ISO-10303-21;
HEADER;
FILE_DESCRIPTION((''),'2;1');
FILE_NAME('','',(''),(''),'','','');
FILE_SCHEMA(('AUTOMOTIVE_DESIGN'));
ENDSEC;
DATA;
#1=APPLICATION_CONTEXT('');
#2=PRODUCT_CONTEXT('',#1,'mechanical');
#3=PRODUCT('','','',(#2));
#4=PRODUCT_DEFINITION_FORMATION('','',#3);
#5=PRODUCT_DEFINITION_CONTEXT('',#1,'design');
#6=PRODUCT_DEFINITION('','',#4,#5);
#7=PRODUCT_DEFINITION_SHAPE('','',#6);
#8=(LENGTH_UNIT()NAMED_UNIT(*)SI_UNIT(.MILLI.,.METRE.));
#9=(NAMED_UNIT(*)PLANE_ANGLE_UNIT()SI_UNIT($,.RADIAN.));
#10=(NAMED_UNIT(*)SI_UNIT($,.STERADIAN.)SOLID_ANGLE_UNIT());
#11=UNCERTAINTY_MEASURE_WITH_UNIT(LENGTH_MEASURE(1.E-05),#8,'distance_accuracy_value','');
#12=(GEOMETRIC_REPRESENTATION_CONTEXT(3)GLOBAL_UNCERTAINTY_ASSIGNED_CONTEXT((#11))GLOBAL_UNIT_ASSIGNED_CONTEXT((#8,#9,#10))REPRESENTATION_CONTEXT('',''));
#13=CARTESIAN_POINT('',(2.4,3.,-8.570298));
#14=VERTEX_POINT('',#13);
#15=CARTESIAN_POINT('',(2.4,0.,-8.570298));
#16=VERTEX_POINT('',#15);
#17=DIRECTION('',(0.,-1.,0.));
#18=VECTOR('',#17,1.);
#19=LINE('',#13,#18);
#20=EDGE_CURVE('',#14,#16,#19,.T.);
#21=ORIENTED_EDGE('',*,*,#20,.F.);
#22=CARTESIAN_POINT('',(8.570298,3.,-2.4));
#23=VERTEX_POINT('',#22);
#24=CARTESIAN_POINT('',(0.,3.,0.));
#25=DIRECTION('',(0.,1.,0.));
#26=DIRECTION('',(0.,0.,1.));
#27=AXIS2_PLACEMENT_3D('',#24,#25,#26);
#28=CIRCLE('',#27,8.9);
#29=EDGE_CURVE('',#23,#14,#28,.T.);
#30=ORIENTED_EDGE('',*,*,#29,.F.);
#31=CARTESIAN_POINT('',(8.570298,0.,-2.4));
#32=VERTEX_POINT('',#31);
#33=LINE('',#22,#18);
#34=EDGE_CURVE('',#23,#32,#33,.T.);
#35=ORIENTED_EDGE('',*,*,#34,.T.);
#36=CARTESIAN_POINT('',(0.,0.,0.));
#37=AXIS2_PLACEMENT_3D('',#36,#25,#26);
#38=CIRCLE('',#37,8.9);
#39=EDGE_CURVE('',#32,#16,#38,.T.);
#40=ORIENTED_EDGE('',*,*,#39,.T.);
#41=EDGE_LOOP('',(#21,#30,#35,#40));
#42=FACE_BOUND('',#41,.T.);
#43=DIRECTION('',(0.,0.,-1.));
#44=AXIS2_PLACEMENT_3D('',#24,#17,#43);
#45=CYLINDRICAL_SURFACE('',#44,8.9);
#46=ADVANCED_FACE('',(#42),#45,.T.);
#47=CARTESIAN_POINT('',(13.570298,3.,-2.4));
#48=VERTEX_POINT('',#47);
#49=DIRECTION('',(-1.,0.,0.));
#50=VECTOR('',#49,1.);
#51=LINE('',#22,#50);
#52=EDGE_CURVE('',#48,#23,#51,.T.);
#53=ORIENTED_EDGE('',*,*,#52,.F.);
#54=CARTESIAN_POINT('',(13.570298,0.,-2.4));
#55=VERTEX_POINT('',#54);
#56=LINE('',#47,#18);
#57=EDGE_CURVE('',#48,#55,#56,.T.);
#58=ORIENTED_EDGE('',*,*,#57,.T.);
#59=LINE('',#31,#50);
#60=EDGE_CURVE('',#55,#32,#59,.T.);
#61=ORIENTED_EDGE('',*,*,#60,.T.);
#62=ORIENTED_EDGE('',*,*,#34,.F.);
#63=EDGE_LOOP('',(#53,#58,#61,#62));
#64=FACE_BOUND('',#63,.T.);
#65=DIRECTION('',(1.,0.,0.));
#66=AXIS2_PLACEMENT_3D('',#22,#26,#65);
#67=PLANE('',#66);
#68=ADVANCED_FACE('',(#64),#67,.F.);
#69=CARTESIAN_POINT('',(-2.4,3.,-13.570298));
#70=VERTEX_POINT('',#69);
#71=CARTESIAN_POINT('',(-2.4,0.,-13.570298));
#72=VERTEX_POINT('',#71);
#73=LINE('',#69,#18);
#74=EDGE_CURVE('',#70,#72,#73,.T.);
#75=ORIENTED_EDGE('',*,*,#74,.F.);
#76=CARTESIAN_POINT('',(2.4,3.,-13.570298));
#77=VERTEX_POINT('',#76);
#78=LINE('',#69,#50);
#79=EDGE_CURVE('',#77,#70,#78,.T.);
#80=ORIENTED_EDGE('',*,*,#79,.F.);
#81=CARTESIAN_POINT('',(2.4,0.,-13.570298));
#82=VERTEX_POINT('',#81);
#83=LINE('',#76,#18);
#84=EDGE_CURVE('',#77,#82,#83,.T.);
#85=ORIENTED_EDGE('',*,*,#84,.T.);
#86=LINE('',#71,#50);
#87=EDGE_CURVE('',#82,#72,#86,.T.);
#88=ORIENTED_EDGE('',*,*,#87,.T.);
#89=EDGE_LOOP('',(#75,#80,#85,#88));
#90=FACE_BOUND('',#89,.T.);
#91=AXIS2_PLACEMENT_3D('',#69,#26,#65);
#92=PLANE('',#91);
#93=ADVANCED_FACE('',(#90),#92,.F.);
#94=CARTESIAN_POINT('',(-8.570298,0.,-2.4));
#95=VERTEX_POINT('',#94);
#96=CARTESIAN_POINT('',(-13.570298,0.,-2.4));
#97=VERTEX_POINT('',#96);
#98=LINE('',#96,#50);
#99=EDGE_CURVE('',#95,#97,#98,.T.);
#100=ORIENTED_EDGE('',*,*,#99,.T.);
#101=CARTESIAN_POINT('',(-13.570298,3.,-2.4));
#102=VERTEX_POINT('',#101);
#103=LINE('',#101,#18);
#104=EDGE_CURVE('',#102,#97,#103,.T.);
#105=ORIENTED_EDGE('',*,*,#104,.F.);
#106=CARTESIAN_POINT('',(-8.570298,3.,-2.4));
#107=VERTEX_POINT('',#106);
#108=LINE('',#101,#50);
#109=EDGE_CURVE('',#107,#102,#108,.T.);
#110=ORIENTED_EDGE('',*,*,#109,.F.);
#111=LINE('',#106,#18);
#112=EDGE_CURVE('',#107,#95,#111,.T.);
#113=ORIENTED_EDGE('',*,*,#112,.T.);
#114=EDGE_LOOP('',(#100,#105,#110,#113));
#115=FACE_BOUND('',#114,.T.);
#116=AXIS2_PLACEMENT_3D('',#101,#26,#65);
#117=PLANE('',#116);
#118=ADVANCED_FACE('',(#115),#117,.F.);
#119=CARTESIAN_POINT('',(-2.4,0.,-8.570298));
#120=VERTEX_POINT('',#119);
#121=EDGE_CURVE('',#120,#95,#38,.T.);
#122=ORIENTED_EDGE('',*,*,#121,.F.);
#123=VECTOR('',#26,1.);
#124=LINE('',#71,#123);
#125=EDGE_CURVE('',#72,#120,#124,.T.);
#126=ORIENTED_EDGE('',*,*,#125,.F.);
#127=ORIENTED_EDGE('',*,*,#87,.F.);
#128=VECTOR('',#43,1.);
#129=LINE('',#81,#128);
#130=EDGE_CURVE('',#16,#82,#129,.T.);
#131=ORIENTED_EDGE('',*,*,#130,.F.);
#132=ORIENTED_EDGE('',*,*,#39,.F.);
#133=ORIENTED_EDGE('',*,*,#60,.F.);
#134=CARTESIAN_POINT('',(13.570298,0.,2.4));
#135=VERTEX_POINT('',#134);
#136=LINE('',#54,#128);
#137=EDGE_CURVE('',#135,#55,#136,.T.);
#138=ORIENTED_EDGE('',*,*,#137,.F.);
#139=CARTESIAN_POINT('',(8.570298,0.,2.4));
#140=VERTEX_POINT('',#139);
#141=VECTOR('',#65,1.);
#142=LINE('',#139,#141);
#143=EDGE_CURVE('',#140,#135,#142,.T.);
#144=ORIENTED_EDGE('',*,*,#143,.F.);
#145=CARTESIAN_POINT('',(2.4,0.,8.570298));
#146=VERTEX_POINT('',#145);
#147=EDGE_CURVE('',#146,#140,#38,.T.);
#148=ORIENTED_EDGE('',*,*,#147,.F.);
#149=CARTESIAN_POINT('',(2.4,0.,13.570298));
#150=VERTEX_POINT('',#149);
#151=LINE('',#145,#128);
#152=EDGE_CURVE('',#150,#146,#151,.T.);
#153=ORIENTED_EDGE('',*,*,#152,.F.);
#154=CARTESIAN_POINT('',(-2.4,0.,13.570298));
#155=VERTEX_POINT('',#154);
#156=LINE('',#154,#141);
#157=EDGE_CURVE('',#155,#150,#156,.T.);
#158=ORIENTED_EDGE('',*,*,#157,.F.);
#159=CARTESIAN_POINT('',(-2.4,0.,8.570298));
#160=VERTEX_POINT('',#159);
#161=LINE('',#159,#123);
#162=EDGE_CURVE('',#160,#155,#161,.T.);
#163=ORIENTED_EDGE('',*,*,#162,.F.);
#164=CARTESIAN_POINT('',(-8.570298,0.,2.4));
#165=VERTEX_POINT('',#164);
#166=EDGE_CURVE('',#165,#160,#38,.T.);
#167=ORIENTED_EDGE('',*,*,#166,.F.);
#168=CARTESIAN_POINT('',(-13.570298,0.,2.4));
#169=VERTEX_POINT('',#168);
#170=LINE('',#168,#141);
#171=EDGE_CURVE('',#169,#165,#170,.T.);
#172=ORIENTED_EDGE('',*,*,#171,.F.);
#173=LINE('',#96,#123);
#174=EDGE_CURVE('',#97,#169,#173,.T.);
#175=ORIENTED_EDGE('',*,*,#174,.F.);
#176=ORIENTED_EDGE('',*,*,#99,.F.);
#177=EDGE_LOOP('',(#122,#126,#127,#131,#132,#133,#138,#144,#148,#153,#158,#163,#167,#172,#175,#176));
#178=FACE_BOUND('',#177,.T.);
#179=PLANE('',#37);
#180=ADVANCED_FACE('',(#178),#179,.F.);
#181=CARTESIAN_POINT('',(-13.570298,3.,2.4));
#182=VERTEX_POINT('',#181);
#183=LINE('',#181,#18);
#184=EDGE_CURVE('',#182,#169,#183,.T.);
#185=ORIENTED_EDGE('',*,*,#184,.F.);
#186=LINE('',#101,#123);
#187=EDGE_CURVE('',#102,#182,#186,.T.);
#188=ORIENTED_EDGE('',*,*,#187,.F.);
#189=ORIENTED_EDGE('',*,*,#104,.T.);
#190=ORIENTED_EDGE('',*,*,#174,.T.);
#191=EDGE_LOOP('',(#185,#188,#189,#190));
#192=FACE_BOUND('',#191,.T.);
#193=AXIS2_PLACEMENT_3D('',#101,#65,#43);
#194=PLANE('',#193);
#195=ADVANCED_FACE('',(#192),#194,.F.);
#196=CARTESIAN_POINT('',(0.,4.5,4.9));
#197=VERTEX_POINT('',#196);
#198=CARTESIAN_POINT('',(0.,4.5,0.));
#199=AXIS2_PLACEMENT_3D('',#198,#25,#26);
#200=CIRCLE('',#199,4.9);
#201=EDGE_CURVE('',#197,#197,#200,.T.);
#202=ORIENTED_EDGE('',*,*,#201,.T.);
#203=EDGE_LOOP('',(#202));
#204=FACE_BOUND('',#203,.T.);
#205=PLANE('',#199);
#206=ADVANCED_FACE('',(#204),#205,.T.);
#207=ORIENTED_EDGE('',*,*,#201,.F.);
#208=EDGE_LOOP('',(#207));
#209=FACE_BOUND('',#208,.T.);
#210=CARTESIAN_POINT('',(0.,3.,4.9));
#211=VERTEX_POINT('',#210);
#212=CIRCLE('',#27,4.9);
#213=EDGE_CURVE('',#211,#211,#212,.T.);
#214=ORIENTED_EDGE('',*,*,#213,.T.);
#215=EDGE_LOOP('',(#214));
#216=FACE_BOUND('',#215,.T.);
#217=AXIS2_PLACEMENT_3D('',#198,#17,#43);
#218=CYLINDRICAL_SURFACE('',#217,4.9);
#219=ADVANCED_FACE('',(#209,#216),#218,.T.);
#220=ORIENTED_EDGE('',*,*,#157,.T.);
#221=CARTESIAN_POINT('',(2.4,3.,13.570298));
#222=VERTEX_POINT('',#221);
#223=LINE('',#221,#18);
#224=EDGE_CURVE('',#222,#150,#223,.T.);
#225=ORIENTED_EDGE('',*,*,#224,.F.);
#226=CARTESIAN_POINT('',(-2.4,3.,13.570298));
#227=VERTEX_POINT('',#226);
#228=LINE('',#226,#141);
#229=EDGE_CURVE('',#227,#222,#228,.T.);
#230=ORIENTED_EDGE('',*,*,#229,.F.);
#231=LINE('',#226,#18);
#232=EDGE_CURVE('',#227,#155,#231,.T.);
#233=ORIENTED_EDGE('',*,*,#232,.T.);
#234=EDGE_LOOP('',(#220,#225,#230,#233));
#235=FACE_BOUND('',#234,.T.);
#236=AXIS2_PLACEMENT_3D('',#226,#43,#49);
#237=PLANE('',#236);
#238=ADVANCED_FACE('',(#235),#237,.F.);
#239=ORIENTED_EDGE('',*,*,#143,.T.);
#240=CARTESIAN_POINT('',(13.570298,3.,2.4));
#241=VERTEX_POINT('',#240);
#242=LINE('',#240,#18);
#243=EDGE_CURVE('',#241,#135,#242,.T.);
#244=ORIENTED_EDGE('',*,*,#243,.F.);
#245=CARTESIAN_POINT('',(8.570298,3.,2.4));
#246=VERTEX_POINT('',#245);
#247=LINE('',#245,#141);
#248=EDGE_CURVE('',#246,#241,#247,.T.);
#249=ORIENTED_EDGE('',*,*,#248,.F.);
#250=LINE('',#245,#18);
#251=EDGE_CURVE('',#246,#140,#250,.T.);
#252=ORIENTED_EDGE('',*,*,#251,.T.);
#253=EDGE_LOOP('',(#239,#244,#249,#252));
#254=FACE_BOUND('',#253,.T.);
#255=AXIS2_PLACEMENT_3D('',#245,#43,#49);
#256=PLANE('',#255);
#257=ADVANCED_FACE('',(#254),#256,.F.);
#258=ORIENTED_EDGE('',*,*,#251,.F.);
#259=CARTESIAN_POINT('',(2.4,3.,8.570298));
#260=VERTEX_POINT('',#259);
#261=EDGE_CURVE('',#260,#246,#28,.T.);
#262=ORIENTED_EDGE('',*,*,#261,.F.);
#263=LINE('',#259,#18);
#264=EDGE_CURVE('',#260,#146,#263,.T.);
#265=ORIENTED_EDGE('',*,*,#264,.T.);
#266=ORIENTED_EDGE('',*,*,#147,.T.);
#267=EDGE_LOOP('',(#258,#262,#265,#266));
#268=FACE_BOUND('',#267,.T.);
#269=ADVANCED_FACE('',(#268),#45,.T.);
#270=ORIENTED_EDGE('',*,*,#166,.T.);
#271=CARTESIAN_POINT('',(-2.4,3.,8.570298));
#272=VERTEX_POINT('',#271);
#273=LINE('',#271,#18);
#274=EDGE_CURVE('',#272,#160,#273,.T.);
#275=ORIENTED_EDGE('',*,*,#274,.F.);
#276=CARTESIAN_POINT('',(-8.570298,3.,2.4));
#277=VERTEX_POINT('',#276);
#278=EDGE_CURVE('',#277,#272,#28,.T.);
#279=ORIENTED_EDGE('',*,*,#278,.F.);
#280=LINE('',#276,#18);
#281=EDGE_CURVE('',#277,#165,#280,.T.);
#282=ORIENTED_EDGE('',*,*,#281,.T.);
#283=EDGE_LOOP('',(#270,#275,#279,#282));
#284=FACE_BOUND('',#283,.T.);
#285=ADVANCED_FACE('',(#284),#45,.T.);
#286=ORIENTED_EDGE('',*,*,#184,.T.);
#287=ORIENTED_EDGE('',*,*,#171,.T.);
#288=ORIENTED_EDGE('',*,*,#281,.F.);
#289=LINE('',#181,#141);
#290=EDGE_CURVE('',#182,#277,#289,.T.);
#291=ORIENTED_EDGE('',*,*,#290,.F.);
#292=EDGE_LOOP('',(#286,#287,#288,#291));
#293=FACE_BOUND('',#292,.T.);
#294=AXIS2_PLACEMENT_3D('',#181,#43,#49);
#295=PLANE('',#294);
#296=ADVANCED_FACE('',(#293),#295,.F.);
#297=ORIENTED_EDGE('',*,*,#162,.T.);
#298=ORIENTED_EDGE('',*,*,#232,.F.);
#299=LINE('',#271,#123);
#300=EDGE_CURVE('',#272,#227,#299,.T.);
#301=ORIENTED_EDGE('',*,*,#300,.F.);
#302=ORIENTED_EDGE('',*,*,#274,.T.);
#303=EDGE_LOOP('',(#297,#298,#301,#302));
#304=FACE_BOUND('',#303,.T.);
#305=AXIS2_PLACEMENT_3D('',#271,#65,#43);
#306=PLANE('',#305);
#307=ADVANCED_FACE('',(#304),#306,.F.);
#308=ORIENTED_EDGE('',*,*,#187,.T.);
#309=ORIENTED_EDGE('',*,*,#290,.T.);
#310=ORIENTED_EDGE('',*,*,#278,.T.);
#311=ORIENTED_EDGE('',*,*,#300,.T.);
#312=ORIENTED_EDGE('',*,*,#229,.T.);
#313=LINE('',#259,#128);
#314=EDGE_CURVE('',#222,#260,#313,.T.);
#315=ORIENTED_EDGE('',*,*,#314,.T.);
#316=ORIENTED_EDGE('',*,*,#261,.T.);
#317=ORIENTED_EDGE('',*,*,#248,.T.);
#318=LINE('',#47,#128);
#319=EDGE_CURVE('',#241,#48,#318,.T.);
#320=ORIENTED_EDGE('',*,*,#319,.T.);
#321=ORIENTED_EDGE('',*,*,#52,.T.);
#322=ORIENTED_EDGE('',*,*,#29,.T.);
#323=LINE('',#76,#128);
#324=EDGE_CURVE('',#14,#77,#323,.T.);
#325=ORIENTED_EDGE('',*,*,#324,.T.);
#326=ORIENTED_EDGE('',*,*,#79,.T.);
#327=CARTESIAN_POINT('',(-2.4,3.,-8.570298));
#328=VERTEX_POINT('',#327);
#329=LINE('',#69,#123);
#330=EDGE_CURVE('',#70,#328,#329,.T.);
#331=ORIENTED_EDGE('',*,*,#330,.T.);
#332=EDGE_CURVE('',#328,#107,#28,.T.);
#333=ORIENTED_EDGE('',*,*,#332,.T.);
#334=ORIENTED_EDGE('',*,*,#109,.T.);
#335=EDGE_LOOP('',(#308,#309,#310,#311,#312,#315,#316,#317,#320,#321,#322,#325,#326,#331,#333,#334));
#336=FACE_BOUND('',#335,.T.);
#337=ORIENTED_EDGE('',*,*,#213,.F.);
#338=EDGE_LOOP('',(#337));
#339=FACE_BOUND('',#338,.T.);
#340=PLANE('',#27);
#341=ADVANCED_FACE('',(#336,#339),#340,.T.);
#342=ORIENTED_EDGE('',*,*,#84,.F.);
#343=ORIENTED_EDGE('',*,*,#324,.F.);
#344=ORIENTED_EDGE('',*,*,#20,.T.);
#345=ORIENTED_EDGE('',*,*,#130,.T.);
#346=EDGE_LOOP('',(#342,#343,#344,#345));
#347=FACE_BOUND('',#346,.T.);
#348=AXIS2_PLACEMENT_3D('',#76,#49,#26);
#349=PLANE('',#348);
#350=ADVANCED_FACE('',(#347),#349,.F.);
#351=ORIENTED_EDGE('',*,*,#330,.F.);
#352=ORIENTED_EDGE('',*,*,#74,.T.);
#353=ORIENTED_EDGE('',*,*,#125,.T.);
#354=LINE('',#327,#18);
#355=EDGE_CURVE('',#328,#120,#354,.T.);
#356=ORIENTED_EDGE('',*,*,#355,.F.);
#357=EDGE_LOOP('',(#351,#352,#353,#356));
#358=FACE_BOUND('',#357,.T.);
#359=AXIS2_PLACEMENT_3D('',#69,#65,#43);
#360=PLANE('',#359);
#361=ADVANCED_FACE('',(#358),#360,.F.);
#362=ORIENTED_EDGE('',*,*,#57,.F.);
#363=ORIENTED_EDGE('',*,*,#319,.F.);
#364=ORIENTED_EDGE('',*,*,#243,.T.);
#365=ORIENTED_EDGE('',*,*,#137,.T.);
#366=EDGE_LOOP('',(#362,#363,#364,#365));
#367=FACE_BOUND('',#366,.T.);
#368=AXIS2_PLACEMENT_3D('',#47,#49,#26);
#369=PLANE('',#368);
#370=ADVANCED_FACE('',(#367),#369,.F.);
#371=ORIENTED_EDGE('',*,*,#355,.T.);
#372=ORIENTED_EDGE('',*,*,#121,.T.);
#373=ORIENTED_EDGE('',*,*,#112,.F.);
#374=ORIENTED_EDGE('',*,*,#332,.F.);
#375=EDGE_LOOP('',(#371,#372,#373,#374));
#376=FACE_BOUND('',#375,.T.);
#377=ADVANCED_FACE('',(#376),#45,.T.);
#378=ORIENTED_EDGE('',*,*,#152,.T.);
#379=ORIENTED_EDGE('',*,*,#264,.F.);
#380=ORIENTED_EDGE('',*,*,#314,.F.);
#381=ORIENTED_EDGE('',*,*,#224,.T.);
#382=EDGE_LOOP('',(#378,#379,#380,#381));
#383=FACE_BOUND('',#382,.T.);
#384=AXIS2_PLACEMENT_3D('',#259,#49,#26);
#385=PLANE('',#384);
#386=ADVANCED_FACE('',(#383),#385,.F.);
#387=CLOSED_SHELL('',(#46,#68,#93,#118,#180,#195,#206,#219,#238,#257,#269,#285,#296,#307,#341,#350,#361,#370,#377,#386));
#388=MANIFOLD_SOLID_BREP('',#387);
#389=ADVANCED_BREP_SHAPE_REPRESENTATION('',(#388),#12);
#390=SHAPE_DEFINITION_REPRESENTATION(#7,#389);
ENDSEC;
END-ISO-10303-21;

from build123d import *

# Parameters (mm, degrees)
EXTRUDE_1_DEPTH = 3
SKETCH_2_R      = 4.9
EXTRUDE_2_DEPTH = 1.5


with BuildPart() as part:
    # 草图1 → 凸台-拉伸1 (new body)
    with BuildSketch(Plane(origin=(0, 0, 0), x_dir=(1, 0, 0), z_dir=(0, 1, 0))):
        with BuildLine():
            Line((-13.570297544, 2.4), (-8.570297544, 2.4))
            ThreePointArc((-8.570297544, 2.4), (-6.293250353, 6.293250353), (-2.4, 8.570297544))
            Line((-2.4, 8.570297544), (-2.4, 13.570297544))
            Line((-2.4, 13.570297544), (2.4, 13.570297544))
            Line((2.4, 13.570297544), (2.4, 8.570297544))
            ThreePointArc((2.4, 8.570297544), (6.293250353, 6.293250353), (8.570297544, 2.4))
            Line((8.570297544, 2.4), (13.570297544, 2.4))
            Line((13.570297544, 2.4), (13.570297544, -2.4))
            Line((13.570297544, -2.4), (8.570297544, -2.4))
            ThreePointArc((8.570297544, -2.4), (6.293250353, -6.293250353), (2.4, -8.570297544))
            Line((2.4, -8.570297544), (2.4, -13.570297544))
            Line((2.4, -13.570297544), (-2.4, -13.570297544))
            Line((-2.4, -13.570297544), (-2.4, -8.570297544))
            ThreePointArc((-2.4, -8.570297544), (-6.293250353, -6.293250353), (-8.570297544, -2.4))
            Line((-8.570297544, -2.4), (-13.570297544, -2.4))
            Line((-13.570297544, -2.4), (-13.570297544, 2.4))
        make_face()
    extrude(amount=EXTRUDE_1_DEPTH)

    # 草图2 → 凸台-拉伸2 (add)
    with BuildSketch(Plane(origin=(0, 3, 0), x_dir=(1, 0, 0), z_dir=(0, 1, 0))):
        Circle(SKETCH_2_R)
    extrude(amount=EXTRUDE_2_DEPTH)


solid = part.part
